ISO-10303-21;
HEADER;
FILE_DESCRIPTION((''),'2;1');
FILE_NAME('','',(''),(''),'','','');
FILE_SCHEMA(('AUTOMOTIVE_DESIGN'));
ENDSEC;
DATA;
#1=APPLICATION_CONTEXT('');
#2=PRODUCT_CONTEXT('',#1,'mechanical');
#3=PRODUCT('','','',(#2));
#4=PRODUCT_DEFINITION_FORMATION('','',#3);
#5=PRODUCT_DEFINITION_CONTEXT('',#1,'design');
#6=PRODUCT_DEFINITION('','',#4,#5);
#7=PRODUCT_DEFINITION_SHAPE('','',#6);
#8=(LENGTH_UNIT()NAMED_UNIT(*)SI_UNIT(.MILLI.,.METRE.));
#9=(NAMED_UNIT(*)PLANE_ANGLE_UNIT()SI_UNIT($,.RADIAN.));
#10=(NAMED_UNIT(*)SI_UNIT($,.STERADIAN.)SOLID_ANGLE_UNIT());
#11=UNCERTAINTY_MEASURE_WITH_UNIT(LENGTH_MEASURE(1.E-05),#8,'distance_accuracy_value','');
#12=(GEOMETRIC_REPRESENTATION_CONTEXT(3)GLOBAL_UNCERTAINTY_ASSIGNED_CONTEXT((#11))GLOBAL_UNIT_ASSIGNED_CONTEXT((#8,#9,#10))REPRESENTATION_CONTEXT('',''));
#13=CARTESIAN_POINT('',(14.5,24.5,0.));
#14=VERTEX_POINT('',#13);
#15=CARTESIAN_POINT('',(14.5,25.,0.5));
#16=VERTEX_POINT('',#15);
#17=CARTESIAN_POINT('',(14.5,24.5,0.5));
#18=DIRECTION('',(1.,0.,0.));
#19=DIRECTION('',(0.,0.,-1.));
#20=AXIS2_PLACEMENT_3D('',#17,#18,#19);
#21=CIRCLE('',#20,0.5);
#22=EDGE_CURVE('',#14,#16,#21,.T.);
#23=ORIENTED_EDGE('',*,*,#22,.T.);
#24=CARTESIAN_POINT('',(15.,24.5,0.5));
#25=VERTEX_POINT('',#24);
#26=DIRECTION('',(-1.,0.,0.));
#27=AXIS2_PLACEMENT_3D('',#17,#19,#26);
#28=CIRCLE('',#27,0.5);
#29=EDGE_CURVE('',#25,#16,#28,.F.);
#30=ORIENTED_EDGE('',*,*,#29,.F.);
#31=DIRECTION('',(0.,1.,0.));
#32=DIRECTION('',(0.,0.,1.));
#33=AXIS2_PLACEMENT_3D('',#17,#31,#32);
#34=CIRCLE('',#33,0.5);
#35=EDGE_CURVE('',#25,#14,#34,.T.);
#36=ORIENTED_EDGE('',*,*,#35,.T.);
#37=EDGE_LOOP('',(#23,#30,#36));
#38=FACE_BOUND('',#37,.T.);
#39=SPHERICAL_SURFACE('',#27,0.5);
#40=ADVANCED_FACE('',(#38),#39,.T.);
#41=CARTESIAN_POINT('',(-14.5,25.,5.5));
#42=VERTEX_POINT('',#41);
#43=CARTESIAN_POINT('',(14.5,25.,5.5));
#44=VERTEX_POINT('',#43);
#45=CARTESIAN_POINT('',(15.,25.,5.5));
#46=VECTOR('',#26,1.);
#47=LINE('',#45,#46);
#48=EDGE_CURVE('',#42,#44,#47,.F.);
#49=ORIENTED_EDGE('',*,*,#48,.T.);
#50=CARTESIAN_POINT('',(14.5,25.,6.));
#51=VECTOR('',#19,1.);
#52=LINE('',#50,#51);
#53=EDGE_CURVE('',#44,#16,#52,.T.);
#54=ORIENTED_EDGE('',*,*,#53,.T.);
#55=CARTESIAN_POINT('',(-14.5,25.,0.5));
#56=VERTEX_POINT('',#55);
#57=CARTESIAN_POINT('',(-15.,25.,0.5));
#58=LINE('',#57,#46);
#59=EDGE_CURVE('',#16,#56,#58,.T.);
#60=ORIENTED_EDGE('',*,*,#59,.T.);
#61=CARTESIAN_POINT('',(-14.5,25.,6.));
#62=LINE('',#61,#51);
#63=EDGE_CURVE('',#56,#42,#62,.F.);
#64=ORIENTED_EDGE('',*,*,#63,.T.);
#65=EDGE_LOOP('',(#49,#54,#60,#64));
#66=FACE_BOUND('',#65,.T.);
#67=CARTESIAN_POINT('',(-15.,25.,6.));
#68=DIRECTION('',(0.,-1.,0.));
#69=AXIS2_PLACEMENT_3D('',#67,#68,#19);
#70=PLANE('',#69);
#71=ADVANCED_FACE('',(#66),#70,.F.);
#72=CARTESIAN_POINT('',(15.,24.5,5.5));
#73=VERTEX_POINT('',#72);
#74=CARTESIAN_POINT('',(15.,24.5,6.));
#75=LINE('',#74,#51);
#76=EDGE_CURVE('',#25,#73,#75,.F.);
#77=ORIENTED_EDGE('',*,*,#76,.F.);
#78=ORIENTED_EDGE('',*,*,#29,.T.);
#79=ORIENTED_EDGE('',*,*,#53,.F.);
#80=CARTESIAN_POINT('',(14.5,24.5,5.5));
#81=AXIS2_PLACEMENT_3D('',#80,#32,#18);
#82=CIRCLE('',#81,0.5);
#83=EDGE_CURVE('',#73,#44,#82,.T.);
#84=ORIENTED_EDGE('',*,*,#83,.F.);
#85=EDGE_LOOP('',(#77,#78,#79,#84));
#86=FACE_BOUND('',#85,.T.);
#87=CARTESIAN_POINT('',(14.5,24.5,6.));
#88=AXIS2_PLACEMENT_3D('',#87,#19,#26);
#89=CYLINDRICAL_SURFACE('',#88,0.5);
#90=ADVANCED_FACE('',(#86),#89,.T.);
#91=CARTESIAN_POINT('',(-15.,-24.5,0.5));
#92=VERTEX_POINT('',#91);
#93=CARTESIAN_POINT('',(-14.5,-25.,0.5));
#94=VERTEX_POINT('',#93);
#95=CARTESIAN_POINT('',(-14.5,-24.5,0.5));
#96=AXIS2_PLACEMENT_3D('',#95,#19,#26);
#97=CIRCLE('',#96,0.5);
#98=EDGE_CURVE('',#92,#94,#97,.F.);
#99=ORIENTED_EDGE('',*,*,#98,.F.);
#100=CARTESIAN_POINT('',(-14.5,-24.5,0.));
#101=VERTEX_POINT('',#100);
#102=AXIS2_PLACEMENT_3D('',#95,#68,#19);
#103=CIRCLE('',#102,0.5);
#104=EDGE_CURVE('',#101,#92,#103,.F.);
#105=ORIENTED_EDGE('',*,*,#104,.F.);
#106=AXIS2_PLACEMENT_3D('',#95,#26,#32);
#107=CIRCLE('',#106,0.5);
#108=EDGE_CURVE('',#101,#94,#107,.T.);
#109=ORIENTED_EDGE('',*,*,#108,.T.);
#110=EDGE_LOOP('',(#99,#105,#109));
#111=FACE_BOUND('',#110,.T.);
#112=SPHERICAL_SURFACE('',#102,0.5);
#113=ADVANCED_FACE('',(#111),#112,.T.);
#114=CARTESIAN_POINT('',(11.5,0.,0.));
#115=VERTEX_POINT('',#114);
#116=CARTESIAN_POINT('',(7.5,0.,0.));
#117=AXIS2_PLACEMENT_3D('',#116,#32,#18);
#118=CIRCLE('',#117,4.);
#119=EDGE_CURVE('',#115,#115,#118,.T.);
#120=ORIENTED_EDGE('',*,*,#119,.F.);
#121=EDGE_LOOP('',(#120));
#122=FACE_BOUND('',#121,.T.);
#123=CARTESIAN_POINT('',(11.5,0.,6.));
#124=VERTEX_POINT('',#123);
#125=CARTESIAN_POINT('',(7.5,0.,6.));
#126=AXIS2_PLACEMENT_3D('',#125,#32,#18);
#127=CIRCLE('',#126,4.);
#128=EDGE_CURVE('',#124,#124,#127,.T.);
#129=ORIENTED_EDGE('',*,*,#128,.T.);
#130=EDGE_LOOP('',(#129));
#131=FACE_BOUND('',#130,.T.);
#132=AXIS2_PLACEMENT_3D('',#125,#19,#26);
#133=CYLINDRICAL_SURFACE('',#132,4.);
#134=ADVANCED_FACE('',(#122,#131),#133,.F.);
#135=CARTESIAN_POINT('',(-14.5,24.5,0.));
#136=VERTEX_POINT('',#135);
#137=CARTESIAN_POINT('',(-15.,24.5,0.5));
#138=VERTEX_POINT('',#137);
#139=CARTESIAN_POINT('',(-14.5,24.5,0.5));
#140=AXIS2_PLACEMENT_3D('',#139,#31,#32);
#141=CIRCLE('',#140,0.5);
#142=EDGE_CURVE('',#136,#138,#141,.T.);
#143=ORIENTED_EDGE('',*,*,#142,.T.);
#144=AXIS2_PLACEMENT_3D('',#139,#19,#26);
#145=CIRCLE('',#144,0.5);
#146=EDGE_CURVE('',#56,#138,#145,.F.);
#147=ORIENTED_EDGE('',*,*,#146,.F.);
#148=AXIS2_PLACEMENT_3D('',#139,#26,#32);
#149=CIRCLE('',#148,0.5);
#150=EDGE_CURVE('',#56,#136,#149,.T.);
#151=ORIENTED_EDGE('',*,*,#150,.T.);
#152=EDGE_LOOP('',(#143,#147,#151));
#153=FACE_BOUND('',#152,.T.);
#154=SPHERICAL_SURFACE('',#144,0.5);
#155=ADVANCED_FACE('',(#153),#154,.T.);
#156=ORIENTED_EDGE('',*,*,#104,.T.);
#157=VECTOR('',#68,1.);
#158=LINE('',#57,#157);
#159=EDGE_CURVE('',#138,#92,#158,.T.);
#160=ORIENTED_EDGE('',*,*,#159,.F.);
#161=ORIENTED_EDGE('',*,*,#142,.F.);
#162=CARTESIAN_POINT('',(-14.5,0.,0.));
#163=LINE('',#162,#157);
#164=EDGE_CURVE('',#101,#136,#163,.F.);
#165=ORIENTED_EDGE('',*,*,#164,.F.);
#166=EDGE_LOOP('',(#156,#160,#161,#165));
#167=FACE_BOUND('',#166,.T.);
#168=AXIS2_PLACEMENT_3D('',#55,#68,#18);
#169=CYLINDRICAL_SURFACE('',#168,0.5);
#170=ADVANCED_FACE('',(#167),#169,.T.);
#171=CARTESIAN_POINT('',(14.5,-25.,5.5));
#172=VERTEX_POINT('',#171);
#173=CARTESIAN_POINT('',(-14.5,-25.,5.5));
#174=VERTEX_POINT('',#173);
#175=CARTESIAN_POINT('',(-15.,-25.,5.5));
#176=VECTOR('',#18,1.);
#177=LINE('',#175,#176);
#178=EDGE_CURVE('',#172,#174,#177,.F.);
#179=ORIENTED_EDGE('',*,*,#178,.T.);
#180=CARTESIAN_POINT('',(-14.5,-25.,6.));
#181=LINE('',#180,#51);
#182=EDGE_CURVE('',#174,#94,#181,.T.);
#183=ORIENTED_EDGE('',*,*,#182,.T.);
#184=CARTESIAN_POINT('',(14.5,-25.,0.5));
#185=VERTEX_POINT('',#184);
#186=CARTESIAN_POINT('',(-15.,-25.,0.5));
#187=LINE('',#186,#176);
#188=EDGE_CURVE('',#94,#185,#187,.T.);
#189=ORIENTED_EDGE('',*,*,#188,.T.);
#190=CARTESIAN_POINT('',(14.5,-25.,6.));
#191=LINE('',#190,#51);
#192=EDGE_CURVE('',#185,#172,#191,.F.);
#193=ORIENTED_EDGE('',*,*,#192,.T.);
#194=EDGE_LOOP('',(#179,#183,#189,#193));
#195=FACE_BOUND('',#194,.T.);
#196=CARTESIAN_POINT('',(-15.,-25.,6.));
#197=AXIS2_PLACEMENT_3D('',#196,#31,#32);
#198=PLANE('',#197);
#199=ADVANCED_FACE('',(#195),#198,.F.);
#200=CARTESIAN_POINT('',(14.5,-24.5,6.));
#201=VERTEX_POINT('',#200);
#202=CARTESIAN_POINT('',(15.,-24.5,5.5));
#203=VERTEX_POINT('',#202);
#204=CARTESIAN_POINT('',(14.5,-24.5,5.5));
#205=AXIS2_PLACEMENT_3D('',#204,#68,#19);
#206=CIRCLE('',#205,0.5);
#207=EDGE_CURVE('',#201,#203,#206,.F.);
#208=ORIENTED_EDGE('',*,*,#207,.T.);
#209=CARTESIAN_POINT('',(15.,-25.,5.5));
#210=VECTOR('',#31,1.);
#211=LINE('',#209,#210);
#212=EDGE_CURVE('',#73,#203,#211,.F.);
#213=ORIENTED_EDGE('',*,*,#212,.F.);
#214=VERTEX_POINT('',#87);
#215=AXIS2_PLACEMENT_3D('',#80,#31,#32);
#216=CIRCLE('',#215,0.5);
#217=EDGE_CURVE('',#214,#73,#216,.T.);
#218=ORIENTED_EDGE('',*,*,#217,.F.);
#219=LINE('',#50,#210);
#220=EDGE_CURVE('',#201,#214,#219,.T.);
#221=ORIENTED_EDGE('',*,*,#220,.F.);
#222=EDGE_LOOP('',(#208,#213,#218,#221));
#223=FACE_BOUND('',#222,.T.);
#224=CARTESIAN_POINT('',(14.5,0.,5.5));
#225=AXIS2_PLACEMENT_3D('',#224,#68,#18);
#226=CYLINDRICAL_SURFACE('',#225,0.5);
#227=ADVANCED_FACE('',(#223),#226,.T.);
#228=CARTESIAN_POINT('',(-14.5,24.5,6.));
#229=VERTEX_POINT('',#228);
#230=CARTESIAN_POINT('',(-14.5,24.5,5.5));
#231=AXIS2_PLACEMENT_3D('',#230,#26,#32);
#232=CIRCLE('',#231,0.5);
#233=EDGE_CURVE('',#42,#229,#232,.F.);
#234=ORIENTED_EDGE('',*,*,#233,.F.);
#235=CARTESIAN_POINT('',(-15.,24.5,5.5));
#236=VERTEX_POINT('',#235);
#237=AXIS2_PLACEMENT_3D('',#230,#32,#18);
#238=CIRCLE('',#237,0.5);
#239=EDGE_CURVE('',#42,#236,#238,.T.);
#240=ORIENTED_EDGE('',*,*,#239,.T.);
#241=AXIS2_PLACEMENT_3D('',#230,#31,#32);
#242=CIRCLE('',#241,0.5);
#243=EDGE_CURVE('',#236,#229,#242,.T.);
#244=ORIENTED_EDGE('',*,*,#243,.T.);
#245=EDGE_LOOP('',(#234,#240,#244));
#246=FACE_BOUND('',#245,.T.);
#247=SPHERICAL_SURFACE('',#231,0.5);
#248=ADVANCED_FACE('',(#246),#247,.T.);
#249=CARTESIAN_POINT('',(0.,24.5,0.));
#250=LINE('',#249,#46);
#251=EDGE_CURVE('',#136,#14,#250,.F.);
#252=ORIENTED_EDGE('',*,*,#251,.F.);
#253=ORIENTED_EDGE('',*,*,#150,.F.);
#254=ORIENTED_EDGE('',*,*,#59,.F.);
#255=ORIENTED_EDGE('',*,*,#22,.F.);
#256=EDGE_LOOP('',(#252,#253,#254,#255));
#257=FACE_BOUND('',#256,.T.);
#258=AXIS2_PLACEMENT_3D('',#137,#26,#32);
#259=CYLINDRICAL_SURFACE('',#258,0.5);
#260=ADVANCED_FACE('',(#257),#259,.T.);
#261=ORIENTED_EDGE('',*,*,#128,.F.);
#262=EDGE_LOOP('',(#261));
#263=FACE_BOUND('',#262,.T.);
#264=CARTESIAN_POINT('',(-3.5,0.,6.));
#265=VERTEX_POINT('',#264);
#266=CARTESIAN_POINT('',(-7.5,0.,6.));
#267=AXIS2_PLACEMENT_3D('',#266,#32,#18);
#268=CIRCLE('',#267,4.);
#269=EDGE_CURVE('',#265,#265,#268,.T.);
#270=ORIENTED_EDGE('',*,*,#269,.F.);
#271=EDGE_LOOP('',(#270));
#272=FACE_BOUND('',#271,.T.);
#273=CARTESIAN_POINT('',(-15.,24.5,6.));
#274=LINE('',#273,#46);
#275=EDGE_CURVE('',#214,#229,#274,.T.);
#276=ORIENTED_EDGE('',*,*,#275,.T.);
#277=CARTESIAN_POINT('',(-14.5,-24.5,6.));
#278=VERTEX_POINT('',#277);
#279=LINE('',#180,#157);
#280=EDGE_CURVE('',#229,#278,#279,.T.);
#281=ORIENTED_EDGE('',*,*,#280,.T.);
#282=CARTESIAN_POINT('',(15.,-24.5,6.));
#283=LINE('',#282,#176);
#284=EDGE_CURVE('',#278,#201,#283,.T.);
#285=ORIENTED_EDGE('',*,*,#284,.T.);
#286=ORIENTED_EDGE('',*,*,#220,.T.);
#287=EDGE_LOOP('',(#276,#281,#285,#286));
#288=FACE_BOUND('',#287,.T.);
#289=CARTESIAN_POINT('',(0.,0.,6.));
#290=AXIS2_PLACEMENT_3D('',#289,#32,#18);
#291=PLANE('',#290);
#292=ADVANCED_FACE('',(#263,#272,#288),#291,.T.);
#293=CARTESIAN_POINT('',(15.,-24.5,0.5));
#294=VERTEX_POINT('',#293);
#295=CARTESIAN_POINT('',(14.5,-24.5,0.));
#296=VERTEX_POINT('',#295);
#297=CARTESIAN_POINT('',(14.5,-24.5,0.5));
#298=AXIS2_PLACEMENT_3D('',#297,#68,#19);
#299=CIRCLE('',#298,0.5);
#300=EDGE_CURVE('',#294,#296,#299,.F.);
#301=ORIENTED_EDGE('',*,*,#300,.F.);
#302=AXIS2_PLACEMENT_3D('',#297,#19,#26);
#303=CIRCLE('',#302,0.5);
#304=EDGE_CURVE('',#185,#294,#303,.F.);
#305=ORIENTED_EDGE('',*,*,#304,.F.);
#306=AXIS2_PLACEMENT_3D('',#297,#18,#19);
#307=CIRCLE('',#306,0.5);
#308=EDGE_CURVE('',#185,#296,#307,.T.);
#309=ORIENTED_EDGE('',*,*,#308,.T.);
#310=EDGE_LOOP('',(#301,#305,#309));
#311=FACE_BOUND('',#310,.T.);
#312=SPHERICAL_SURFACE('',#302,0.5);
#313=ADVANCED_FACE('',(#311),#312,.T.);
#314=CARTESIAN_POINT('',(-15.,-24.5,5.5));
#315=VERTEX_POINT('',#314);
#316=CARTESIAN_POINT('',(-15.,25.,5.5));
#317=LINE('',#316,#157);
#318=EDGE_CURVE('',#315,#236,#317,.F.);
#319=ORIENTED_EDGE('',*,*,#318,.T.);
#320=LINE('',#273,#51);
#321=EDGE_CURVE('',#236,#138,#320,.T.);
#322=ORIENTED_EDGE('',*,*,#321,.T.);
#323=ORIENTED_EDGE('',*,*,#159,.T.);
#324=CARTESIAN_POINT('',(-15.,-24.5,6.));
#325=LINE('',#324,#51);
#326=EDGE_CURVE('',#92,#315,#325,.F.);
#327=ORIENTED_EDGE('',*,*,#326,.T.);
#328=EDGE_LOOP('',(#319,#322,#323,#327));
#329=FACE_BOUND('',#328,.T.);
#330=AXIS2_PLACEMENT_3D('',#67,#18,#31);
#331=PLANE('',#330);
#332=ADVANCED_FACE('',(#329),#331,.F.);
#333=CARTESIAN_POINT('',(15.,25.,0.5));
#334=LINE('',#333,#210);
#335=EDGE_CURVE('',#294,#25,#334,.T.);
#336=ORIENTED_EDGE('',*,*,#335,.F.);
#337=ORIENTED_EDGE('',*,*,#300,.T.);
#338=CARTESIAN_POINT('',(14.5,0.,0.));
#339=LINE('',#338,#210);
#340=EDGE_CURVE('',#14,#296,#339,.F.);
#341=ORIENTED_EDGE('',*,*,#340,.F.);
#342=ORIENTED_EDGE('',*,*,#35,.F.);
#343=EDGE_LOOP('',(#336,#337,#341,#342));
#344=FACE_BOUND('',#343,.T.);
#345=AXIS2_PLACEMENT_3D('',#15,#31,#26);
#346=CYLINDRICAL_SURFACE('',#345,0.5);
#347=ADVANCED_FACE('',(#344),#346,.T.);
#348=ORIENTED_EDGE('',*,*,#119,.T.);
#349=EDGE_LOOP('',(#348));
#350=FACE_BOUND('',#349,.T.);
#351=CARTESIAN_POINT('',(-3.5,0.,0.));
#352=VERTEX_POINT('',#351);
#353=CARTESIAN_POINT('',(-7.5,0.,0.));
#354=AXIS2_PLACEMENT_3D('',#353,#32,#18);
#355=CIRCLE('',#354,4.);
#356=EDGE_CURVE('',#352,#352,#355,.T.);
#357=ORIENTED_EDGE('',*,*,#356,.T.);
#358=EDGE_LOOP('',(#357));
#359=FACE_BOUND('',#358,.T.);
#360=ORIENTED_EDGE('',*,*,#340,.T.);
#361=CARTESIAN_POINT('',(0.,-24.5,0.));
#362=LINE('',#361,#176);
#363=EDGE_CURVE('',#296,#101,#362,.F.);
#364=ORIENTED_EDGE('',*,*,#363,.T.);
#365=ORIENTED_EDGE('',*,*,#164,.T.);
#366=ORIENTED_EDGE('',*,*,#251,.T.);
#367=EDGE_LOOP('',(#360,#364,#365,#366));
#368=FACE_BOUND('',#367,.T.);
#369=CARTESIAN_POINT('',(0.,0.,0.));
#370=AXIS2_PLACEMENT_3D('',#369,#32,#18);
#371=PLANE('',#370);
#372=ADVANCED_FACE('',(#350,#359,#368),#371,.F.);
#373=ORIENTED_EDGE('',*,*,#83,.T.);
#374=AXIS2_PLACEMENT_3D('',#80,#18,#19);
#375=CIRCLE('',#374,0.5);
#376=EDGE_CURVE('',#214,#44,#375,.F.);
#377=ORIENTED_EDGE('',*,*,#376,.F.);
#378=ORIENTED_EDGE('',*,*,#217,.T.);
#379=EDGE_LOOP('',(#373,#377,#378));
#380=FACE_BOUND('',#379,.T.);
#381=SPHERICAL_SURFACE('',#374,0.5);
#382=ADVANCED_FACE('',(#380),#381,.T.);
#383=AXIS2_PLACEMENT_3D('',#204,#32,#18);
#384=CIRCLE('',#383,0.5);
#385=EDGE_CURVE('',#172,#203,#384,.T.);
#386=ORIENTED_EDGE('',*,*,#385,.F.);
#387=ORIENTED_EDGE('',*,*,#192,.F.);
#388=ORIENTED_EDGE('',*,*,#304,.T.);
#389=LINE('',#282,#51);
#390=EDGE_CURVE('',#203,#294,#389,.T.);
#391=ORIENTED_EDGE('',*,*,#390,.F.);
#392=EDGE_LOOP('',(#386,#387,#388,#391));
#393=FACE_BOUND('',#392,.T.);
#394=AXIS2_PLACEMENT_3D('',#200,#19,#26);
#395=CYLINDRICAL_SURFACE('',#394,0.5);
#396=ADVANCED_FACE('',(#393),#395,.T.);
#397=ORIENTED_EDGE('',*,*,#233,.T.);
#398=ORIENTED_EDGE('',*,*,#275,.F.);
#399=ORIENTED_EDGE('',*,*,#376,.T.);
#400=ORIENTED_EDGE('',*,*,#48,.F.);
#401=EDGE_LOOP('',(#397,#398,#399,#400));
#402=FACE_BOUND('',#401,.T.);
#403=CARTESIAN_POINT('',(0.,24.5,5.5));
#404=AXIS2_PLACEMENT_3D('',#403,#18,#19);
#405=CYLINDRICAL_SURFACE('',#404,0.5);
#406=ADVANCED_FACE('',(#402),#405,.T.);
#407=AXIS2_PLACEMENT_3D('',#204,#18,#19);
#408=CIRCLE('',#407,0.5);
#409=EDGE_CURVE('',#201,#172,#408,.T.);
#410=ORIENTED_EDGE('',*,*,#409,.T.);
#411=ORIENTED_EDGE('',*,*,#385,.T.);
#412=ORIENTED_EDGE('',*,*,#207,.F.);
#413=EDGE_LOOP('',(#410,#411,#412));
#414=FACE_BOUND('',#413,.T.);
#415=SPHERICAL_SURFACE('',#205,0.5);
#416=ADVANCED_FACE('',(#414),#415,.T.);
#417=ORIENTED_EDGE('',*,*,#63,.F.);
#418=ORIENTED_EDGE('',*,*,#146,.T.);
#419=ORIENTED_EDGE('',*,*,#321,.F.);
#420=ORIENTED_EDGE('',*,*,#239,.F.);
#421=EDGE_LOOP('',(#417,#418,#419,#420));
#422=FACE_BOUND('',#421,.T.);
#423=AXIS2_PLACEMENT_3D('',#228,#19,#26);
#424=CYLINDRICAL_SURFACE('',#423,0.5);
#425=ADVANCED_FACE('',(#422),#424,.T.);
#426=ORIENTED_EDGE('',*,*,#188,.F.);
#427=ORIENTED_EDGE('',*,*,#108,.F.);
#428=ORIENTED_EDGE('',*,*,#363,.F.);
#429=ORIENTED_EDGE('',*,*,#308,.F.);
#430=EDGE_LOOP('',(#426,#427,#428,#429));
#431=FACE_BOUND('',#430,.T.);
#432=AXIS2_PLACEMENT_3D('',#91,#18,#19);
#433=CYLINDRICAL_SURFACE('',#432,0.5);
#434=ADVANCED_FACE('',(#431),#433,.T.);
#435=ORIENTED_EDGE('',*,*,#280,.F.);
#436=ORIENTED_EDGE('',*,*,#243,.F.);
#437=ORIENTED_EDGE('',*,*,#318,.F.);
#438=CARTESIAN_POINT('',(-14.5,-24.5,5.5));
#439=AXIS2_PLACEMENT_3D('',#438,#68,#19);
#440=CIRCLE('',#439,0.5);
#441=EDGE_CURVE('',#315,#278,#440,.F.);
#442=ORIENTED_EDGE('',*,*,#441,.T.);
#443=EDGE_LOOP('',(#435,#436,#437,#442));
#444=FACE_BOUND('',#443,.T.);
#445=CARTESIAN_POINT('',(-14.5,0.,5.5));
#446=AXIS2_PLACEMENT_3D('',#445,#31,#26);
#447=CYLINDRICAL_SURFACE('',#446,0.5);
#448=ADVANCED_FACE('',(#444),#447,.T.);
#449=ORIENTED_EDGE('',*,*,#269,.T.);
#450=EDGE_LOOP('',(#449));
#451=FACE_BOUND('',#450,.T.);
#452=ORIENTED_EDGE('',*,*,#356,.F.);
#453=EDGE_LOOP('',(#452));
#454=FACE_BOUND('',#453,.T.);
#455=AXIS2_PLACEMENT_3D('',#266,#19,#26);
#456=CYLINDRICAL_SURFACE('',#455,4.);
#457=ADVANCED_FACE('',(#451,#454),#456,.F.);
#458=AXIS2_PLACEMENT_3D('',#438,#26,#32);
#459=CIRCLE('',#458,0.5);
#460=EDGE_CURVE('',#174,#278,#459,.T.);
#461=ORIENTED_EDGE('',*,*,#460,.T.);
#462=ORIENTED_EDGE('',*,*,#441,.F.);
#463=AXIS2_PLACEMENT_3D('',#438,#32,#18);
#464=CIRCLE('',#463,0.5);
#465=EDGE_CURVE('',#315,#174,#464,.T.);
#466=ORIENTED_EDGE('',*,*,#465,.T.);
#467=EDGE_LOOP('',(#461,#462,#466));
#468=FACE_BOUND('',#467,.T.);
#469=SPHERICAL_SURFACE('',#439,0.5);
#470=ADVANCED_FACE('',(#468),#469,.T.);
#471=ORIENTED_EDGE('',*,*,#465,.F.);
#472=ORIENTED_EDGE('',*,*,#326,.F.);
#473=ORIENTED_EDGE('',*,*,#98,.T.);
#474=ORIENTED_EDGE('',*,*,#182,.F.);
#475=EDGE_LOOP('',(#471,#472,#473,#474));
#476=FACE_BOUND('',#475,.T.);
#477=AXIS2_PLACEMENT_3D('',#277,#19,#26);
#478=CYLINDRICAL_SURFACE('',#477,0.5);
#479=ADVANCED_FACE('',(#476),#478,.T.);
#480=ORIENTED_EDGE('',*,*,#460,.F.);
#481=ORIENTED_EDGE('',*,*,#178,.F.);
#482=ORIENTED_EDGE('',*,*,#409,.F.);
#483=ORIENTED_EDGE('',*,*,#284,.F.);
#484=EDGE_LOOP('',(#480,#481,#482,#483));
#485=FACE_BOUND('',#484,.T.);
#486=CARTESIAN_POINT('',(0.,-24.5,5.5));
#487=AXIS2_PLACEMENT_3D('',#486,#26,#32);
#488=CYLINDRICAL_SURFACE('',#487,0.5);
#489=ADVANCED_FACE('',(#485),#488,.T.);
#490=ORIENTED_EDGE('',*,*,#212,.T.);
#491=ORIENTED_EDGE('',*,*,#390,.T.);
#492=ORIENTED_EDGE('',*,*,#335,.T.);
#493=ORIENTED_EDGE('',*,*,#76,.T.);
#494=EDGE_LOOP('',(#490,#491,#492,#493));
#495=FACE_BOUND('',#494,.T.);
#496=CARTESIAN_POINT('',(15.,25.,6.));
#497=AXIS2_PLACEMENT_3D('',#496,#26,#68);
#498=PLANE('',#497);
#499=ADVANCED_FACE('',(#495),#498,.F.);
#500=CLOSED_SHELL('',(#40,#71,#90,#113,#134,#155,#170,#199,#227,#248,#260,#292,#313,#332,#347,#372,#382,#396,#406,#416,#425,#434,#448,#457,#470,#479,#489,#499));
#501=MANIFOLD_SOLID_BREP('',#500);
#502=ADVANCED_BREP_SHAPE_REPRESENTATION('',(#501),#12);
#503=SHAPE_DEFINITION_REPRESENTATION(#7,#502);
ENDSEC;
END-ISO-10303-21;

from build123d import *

# Parameters (mm, degrees)
SKETCH1_W           = 30
SKETCH1_H           = 50
SKETCH1_R           = 4
BOSS_EXTRUDE1_DEPTH = 6
FILLET1_R           = 0.5


with BuildPart() as part:
    # Sketch1 → Boss-Extrude1 (new body)
    with BuildSketch(Plane.XY):
        Rectangle(SKETCH1_W, SKETCH1_H)
        with Locations((-7.5, 0)):
            Circle(SKETCH1_R, mode=Mode.SUBTRACT)
        with Locations((7.5, 0)):
            Circle(SKETCH1_R, mode=Mode.SUBTRACT)
    extrude(amount=BOSS_EXTRUDE1_DEPTH)

    # Fillet1
    fillet1_edges = [part.edges().sort_by_distance(p)[0] for p in [
        (-15, 0, 6),
        (0, -25, 6),
        (15, 0, 6),
        (0, -25, 0),
        (-15, 0, 0),
        (0, 25, 0),
        (15, 0, 0),
        (15, -25, 3),
        (-15, -25, 3),
        (-15, 25, 3),
        (15, 25, 3),
        (0, 25, 6),
    ]]
    fillet(fillet1_edges, radius=FILLET1_R)


solid = part.part
